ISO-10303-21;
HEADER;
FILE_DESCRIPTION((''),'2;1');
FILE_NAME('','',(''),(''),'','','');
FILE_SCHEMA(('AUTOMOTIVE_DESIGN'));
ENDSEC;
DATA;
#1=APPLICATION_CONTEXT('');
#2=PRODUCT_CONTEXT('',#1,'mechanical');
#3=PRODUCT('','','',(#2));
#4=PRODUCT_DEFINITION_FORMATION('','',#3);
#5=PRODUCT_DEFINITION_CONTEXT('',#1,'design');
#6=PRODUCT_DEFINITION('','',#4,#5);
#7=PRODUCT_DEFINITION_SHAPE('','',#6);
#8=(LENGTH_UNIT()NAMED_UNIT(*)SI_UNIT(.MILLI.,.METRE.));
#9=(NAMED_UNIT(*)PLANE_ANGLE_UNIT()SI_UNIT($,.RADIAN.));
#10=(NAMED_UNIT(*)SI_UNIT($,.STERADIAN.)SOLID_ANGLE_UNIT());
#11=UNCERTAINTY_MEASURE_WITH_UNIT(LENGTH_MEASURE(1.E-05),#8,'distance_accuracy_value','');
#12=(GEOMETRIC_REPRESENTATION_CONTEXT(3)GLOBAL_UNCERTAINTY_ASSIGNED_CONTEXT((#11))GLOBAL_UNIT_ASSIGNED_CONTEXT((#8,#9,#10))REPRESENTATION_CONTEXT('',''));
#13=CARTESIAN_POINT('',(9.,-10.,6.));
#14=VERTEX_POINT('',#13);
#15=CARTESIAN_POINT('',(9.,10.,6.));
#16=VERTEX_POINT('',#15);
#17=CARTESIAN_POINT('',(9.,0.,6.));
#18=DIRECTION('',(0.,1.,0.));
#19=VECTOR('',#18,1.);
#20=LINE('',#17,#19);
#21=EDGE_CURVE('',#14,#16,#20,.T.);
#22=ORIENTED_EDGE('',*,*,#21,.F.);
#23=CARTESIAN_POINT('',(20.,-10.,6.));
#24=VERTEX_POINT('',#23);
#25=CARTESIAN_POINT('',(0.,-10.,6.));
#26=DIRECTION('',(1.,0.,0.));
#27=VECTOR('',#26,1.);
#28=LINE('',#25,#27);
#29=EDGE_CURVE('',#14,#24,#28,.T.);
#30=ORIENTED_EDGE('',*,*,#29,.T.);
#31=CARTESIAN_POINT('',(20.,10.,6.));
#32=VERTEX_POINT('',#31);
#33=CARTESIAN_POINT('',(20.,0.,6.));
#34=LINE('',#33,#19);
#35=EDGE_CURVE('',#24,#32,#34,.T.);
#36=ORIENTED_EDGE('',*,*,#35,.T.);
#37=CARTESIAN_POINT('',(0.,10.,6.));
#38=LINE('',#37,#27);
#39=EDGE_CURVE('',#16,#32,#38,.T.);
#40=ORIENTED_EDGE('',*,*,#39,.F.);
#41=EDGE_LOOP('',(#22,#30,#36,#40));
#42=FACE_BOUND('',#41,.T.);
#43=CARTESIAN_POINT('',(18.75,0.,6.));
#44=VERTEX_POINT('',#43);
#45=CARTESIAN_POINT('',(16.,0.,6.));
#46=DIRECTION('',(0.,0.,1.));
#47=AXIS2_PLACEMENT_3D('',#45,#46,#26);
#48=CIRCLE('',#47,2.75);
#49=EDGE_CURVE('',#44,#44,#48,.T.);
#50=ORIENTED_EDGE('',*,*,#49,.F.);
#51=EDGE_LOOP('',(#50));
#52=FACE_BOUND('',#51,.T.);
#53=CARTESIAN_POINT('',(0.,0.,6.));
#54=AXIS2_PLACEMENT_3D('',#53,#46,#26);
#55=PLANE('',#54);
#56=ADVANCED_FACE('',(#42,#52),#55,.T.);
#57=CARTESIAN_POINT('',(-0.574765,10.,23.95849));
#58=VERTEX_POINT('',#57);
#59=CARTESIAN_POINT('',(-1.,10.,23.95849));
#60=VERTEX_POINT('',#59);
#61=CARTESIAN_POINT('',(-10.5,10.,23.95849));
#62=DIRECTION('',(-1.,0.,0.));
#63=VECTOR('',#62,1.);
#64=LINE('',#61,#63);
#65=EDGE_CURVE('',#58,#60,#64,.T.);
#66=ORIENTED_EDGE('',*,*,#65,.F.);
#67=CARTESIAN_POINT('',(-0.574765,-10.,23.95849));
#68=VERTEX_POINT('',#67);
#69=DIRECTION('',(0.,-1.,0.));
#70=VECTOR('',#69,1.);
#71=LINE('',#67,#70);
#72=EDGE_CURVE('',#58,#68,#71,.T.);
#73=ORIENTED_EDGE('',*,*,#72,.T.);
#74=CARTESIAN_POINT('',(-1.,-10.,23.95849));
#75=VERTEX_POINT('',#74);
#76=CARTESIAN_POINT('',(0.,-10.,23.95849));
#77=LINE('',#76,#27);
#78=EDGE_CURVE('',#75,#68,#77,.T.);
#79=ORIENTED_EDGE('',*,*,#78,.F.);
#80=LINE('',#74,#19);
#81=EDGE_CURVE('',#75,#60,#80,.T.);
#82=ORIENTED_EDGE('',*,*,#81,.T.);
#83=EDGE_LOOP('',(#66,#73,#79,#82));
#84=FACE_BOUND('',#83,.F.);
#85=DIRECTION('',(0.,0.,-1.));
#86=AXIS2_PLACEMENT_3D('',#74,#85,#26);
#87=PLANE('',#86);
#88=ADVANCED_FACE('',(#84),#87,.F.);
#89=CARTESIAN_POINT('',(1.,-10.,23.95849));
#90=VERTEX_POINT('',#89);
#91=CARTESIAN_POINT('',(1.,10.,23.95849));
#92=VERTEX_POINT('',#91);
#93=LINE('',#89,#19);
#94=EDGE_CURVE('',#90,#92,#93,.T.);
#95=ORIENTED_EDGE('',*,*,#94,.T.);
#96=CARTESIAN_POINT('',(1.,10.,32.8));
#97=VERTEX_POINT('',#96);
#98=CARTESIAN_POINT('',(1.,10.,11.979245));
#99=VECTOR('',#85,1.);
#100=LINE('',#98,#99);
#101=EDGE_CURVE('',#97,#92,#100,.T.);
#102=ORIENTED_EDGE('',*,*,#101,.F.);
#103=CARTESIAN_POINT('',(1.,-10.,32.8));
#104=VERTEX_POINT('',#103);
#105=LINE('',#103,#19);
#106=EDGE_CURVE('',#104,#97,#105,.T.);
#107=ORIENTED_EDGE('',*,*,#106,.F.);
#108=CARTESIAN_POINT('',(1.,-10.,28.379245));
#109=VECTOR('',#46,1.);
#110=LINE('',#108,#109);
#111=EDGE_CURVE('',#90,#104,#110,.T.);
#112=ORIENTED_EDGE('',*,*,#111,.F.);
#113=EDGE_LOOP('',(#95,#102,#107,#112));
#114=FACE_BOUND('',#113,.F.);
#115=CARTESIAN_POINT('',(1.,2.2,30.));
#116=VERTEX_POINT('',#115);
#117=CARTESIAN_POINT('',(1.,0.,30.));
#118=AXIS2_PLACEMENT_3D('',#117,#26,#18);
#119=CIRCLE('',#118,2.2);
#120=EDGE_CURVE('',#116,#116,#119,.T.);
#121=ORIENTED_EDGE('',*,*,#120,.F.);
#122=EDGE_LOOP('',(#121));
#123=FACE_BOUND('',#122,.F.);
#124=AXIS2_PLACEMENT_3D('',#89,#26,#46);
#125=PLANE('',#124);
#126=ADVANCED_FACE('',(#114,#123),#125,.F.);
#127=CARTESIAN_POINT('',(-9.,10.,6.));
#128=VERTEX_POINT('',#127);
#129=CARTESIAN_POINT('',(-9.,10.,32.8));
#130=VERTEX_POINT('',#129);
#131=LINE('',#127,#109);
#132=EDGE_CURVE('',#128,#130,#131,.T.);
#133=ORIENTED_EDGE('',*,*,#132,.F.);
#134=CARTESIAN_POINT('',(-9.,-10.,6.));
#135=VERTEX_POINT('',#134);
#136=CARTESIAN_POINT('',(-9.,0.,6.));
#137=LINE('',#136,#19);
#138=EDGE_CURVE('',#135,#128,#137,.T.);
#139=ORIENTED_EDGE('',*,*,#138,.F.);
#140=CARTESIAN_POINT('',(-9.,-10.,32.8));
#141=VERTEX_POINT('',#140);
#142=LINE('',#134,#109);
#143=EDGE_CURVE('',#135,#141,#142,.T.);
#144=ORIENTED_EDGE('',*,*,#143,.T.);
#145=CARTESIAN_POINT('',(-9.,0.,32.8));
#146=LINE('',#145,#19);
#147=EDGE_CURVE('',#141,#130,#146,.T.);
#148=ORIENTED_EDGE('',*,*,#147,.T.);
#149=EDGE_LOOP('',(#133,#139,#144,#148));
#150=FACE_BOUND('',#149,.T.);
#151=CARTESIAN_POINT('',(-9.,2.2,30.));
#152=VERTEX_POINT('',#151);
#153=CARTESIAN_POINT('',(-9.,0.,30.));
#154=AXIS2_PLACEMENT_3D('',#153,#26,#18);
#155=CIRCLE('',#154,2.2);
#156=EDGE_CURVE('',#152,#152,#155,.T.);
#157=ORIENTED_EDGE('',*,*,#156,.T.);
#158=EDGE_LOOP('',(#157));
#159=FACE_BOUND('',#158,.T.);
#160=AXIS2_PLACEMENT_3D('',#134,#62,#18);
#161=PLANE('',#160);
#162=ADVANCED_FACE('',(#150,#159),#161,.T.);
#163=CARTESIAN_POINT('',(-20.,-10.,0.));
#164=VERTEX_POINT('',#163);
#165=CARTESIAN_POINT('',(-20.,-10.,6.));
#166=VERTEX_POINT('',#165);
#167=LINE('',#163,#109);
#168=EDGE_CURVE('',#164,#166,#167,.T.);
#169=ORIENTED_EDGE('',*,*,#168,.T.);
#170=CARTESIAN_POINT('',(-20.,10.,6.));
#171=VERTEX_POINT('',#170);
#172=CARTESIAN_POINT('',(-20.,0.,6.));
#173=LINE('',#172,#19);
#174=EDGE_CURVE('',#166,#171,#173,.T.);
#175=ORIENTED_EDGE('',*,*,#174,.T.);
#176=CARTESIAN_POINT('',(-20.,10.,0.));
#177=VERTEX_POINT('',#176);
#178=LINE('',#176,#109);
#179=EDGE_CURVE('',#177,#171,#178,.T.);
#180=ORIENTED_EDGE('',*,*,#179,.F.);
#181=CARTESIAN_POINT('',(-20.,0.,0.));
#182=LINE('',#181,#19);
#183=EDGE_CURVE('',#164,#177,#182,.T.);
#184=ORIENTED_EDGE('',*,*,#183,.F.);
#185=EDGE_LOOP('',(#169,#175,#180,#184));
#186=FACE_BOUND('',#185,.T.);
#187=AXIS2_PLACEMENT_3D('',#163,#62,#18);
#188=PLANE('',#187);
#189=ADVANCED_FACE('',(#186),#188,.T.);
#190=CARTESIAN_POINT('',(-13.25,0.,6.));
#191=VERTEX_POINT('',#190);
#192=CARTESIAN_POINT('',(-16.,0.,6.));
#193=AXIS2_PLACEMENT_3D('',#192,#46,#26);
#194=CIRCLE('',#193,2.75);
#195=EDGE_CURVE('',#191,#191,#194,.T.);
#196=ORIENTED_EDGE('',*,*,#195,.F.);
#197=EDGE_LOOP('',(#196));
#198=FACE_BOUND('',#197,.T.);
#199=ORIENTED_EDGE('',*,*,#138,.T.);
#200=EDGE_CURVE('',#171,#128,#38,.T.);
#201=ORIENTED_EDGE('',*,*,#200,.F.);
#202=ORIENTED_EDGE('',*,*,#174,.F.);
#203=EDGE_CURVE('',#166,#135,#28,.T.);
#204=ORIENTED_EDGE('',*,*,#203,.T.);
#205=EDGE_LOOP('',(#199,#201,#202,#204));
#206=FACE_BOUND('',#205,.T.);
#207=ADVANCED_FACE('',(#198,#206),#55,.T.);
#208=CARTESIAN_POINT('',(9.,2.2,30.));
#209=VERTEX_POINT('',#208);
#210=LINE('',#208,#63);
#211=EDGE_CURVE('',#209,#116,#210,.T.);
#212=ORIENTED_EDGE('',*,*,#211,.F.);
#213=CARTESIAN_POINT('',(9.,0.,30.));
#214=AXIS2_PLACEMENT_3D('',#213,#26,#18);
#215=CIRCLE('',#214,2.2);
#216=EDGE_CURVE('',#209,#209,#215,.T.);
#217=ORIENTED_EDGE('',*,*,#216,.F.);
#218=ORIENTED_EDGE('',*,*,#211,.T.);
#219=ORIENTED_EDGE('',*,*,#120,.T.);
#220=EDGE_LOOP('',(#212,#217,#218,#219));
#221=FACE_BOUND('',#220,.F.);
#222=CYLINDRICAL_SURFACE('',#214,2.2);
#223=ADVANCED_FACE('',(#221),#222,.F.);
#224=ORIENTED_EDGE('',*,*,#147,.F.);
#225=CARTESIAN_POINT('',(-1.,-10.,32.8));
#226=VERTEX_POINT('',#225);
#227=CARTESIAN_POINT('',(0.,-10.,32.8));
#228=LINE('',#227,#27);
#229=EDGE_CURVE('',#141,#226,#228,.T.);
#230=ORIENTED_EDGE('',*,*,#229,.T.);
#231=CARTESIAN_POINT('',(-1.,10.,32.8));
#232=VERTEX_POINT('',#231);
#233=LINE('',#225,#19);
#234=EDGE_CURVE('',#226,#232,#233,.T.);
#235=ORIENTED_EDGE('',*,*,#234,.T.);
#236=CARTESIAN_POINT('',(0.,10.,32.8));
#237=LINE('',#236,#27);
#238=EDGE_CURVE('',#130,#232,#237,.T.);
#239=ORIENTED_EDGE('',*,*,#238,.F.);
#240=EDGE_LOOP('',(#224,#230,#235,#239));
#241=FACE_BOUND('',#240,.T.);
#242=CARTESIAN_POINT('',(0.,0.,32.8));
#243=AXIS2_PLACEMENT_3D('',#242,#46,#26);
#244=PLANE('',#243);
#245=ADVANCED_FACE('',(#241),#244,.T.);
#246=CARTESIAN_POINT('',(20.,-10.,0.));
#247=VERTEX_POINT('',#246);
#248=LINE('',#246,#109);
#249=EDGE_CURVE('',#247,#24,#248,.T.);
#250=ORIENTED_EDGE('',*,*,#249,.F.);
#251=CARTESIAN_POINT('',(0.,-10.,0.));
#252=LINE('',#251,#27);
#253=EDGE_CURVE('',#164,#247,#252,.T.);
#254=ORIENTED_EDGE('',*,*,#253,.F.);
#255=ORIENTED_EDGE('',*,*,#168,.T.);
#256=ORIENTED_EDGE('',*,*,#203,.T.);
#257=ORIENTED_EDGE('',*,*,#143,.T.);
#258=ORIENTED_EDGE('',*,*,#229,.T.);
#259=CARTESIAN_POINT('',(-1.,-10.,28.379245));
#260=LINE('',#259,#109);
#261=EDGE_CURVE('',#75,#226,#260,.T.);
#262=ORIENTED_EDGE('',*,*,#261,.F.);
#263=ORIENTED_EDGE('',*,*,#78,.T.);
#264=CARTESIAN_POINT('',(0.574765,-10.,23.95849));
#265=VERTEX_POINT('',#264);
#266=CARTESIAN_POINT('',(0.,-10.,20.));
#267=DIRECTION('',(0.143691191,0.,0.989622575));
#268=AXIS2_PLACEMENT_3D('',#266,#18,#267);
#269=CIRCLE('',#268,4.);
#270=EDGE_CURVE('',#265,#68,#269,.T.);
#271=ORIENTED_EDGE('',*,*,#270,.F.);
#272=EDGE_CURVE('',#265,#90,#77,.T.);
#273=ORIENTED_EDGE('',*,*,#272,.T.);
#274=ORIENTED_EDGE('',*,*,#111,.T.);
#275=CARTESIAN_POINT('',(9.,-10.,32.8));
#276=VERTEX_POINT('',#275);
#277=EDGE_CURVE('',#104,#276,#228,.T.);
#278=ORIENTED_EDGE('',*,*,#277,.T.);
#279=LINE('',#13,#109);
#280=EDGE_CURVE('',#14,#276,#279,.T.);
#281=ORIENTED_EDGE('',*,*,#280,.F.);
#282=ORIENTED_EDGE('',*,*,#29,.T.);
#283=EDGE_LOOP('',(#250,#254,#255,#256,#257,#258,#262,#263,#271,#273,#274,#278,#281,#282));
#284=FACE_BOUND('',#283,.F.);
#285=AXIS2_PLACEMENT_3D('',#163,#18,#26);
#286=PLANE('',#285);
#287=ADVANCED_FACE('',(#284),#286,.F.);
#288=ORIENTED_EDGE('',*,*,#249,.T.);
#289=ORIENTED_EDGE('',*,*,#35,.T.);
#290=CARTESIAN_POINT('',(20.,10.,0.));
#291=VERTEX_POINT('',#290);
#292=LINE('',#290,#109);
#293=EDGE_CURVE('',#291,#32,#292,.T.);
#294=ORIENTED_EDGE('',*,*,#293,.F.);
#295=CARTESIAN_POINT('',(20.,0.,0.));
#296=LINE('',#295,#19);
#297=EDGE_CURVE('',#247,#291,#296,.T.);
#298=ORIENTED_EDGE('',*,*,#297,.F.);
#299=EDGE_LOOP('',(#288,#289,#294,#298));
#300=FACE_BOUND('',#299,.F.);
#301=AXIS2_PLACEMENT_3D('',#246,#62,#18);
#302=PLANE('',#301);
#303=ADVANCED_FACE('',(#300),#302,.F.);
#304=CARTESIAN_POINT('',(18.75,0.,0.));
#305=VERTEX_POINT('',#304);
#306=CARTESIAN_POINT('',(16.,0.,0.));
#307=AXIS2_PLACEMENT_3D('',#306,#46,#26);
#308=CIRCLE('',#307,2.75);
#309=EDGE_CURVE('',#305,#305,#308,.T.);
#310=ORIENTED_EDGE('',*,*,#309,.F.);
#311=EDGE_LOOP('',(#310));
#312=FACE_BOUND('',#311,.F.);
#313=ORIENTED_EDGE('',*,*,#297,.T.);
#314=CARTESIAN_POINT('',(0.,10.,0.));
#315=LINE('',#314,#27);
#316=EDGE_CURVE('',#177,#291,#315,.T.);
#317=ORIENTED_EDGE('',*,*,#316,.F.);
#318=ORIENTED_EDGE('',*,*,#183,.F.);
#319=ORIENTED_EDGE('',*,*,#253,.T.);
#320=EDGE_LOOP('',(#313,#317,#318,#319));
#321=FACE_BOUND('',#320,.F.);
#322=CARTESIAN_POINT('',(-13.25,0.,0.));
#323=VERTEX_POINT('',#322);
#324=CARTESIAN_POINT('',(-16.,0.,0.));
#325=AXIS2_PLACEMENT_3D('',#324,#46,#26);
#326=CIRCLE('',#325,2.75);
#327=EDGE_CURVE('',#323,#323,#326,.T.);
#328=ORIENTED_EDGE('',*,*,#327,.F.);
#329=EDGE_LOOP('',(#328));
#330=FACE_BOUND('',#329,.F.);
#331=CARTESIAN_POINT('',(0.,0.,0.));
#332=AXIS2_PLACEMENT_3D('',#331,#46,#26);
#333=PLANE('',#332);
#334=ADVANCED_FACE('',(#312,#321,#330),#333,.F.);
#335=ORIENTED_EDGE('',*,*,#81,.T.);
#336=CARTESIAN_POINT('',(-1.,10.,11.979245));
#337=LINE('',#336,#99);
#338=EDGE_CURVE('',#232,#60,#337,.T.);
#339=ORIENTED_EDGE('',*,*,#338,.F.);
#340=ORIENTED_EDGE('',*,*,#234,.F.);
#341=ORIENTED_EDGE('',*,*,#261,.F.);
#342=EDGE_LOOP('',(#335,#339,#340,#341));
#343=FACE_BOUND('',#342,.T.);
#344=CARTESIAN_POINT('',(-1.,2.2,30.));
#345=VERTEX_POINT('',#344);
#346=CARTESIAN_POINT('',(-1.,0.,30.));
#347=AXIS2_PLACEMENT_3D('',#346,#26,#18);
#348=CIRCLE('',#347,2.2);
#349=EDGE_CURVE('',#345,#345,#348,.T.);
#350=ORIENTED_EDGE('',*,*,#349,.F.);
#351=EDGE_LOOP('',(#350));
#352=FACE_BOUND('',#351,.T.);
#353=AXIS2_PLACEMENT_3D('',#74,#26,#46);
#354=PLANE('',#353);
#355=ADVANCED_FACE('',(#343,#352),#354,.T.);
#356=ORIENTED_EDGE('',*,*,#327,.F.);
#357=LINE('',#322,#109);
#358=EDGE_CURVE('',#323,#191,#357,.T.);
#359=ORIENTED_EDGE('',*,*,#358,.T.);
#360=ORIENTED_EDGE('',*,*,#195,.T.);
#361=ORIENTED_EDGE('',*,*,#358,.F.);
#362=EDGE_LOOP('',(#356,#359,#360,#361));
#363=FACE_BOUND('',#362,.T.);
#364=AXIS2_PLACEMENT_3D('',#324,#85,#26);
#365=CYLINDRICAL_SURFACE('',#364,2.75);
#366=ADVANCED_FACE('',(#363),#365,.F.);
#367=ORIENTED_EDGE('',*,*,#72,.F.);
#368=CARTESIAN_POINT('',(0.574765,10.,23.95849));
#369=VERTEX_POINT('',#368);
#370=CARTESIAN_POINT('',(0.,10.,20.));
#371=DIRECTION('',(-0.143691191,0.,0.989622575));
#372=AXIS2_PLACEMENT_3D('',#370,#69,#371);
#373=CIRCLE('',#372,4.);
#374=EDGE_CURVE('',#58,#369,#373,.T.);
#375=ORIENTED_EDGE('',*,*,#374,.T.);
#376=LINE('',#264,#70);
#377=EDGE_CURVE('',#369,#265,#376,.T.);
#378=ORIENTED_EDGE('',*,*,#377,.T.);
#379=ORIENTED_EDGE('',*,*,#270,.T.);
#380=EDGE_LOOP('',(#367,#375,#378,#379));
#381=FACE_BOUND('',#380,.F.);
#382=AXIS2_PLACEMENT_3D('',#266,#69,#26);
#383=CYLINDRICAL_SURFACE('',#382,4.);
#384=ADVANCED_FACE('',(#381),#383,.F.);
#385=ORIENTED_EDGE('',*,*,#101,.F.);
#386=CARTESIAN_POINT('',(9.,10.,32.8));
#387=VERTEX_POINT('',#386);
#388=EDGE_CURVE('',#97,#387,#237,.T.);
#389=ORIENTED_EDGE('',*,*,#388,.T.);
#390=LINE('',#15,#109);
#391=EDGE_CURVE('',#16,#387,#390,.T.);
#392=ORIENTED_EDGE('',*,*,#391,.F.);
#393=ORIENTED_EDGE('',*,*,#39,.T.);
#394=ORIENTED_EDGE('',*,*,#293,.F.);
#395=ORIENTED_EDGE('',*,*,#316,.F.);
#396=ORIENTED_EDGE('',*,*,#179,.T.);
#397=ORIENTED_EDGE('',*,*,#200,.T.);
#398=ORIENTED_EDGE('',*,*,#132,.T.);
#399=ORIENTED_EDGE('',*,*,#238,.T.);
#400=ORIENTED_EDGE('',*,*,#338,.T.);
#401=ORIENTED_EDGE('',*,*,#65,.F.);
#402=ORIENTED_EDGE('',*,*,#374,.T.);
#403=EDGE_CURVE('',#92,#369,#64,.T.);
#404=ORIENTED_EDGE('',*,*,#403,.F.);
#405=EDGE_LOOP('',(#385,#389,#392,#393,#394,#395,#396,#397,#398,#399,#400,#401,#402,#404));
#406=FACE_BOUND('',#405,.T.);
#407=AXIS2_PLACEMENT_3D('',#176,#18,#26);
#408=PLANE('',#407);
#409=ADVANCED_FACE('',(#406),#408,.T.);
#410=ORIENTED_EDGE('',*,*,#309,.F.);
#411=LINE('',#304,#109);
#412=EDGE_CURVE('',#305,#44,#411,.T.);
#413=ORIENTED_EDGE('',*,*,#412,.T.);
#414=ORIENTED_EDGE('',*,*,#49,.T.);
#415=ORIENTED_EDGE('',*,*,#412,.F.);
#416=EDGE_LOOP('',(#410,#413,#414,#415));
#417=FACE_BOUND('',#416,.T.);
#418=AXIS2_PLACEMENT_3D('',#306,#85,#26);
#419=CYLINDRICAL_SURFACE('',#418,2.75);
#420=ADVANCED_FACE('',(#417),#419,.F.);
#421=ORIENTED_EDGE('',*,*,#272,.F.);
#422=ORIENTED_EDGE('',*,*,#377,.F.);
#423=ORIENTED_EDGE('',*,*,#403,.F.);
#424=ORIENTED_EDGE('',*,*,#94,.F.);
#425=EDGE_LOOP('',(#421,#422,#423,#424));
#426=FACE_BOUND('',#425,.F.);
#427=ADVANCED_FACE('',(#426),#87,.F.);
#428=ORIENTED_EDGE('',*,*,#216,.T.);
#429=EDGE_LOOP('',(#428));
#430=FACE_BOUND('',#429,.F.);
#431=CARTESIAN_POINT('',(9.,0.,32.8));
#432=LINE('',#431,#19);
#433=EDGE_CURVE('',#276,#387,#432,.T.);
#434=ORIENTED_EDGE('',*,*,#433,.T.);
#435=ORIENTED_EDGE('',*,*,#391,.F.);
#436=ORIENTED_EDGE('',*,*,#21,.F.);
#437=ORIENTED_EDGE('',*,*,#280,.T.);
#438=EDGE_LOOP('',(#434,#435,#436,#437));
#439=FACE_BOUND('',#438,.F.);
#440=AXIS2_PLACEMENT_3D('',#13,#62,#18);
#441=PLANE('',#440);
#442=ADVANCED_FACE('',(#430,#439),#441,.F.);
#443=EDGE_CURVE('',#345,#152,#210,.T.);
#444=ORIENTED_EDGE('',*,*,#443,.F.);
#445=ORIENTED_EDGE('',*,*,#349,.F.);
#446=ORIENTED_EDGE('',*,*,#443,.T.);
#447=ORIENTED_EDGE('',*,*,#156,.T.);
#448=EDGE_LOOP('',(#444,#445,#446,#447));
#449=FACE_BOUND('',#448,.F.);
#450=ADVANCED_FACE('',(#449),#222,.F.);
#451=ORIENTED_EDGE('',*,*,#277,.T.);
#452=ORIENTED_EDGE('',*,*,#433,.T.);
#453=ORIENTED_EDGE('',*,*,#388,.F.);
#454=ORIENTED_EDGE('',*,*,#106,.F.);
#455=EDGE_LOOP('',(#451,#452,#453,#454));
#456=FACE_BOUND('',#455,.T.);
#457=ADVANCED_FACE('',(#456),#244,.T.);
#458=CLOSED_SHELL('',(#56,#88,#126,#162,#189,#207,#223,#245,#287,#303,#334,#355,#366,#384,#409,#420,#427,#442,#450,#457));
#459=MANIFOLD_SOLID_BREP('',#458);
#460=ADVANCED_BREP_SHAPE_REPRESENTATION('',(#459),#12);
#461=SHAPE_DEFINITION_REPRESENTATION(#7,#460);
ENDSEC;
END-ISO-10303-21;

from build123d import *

# Parameters (mm, degrees)
SKETCH008_W     = 40
SKETCH008_H     = 20
SKETCH008_R     = 2.75
PAD005_DEPTH    = 6
SKETCH009_W     = 18
SKETCH009_H     = 20
PAD006_DEPTH    = 26.8
SKETCH010_R     = 4
POCKET001_DEPTH = 20.001
SKETCH011_W     = 2
SKETCH011_H     = 8.8415096984
POCKET002_DEPTH = 20.001
SKETCH012_R     = 2.2
POCKET003_DEPTH = 29.001


with BuildPart() as part:
    # Sketch008 → Pad005 (new body)
    with BuildSketch(Plane.XY):
        Rectangle(SKETCH008_W, SKETCH008_H)
        with Locations((-16, 0)):
            Circle(SKETCH008_R, mode=Mode.SUBTRACT)
        with Locations((16, 0)):
            Circle(SKETCH008_R, mode=Mode.SUBTRACT)
    extrude(amount=PAD005_DEPTH)

    # Sketch009 (on Face8 of Pad005) → Pad006 (join)
    with BuildSketch(Plane.XY.offset(6)):
        Rectangle(SKETCH009_W, SKETCH009_H)
    extrude(amount=PAD006_DEPTH)

    # Sketch010 (on Face14 of Pad006) → Pocket001 (cut, through all)
    with BuildSketch(Plane.XZ.offset(10)):
        with Locations((0, 20)):
            Circle(SKETCH010_R)
    extrude(amount=-POCKET001_DEPTH, mode=Mode.SUBTRACT)

    # Sketch011 (on Face15 of Pocket001) → Pocket002 (cut, through all)
    with BuildSketch(Plane.XZ.offset(10)):
        with Locations((0, 28.3792451508)):
            Rectangle(SKETCH011_W, SKETCH011_H)
    extrude(amount=-POCKET002_DEPTH, mode=Mode.SUBTRACT)

    # Sketch012 (on Face12 of Pocket002) → Pocket003 (cut, through all)
    with BuildSketch(Plane.YZ.offset(9)):
        with Locations((0, 30)):
            Circle(SKETCH012_R)
    extrude(amount=-POCKET003_DEPTH, mode=Mode.SUBTRACT)


solid = part.part
